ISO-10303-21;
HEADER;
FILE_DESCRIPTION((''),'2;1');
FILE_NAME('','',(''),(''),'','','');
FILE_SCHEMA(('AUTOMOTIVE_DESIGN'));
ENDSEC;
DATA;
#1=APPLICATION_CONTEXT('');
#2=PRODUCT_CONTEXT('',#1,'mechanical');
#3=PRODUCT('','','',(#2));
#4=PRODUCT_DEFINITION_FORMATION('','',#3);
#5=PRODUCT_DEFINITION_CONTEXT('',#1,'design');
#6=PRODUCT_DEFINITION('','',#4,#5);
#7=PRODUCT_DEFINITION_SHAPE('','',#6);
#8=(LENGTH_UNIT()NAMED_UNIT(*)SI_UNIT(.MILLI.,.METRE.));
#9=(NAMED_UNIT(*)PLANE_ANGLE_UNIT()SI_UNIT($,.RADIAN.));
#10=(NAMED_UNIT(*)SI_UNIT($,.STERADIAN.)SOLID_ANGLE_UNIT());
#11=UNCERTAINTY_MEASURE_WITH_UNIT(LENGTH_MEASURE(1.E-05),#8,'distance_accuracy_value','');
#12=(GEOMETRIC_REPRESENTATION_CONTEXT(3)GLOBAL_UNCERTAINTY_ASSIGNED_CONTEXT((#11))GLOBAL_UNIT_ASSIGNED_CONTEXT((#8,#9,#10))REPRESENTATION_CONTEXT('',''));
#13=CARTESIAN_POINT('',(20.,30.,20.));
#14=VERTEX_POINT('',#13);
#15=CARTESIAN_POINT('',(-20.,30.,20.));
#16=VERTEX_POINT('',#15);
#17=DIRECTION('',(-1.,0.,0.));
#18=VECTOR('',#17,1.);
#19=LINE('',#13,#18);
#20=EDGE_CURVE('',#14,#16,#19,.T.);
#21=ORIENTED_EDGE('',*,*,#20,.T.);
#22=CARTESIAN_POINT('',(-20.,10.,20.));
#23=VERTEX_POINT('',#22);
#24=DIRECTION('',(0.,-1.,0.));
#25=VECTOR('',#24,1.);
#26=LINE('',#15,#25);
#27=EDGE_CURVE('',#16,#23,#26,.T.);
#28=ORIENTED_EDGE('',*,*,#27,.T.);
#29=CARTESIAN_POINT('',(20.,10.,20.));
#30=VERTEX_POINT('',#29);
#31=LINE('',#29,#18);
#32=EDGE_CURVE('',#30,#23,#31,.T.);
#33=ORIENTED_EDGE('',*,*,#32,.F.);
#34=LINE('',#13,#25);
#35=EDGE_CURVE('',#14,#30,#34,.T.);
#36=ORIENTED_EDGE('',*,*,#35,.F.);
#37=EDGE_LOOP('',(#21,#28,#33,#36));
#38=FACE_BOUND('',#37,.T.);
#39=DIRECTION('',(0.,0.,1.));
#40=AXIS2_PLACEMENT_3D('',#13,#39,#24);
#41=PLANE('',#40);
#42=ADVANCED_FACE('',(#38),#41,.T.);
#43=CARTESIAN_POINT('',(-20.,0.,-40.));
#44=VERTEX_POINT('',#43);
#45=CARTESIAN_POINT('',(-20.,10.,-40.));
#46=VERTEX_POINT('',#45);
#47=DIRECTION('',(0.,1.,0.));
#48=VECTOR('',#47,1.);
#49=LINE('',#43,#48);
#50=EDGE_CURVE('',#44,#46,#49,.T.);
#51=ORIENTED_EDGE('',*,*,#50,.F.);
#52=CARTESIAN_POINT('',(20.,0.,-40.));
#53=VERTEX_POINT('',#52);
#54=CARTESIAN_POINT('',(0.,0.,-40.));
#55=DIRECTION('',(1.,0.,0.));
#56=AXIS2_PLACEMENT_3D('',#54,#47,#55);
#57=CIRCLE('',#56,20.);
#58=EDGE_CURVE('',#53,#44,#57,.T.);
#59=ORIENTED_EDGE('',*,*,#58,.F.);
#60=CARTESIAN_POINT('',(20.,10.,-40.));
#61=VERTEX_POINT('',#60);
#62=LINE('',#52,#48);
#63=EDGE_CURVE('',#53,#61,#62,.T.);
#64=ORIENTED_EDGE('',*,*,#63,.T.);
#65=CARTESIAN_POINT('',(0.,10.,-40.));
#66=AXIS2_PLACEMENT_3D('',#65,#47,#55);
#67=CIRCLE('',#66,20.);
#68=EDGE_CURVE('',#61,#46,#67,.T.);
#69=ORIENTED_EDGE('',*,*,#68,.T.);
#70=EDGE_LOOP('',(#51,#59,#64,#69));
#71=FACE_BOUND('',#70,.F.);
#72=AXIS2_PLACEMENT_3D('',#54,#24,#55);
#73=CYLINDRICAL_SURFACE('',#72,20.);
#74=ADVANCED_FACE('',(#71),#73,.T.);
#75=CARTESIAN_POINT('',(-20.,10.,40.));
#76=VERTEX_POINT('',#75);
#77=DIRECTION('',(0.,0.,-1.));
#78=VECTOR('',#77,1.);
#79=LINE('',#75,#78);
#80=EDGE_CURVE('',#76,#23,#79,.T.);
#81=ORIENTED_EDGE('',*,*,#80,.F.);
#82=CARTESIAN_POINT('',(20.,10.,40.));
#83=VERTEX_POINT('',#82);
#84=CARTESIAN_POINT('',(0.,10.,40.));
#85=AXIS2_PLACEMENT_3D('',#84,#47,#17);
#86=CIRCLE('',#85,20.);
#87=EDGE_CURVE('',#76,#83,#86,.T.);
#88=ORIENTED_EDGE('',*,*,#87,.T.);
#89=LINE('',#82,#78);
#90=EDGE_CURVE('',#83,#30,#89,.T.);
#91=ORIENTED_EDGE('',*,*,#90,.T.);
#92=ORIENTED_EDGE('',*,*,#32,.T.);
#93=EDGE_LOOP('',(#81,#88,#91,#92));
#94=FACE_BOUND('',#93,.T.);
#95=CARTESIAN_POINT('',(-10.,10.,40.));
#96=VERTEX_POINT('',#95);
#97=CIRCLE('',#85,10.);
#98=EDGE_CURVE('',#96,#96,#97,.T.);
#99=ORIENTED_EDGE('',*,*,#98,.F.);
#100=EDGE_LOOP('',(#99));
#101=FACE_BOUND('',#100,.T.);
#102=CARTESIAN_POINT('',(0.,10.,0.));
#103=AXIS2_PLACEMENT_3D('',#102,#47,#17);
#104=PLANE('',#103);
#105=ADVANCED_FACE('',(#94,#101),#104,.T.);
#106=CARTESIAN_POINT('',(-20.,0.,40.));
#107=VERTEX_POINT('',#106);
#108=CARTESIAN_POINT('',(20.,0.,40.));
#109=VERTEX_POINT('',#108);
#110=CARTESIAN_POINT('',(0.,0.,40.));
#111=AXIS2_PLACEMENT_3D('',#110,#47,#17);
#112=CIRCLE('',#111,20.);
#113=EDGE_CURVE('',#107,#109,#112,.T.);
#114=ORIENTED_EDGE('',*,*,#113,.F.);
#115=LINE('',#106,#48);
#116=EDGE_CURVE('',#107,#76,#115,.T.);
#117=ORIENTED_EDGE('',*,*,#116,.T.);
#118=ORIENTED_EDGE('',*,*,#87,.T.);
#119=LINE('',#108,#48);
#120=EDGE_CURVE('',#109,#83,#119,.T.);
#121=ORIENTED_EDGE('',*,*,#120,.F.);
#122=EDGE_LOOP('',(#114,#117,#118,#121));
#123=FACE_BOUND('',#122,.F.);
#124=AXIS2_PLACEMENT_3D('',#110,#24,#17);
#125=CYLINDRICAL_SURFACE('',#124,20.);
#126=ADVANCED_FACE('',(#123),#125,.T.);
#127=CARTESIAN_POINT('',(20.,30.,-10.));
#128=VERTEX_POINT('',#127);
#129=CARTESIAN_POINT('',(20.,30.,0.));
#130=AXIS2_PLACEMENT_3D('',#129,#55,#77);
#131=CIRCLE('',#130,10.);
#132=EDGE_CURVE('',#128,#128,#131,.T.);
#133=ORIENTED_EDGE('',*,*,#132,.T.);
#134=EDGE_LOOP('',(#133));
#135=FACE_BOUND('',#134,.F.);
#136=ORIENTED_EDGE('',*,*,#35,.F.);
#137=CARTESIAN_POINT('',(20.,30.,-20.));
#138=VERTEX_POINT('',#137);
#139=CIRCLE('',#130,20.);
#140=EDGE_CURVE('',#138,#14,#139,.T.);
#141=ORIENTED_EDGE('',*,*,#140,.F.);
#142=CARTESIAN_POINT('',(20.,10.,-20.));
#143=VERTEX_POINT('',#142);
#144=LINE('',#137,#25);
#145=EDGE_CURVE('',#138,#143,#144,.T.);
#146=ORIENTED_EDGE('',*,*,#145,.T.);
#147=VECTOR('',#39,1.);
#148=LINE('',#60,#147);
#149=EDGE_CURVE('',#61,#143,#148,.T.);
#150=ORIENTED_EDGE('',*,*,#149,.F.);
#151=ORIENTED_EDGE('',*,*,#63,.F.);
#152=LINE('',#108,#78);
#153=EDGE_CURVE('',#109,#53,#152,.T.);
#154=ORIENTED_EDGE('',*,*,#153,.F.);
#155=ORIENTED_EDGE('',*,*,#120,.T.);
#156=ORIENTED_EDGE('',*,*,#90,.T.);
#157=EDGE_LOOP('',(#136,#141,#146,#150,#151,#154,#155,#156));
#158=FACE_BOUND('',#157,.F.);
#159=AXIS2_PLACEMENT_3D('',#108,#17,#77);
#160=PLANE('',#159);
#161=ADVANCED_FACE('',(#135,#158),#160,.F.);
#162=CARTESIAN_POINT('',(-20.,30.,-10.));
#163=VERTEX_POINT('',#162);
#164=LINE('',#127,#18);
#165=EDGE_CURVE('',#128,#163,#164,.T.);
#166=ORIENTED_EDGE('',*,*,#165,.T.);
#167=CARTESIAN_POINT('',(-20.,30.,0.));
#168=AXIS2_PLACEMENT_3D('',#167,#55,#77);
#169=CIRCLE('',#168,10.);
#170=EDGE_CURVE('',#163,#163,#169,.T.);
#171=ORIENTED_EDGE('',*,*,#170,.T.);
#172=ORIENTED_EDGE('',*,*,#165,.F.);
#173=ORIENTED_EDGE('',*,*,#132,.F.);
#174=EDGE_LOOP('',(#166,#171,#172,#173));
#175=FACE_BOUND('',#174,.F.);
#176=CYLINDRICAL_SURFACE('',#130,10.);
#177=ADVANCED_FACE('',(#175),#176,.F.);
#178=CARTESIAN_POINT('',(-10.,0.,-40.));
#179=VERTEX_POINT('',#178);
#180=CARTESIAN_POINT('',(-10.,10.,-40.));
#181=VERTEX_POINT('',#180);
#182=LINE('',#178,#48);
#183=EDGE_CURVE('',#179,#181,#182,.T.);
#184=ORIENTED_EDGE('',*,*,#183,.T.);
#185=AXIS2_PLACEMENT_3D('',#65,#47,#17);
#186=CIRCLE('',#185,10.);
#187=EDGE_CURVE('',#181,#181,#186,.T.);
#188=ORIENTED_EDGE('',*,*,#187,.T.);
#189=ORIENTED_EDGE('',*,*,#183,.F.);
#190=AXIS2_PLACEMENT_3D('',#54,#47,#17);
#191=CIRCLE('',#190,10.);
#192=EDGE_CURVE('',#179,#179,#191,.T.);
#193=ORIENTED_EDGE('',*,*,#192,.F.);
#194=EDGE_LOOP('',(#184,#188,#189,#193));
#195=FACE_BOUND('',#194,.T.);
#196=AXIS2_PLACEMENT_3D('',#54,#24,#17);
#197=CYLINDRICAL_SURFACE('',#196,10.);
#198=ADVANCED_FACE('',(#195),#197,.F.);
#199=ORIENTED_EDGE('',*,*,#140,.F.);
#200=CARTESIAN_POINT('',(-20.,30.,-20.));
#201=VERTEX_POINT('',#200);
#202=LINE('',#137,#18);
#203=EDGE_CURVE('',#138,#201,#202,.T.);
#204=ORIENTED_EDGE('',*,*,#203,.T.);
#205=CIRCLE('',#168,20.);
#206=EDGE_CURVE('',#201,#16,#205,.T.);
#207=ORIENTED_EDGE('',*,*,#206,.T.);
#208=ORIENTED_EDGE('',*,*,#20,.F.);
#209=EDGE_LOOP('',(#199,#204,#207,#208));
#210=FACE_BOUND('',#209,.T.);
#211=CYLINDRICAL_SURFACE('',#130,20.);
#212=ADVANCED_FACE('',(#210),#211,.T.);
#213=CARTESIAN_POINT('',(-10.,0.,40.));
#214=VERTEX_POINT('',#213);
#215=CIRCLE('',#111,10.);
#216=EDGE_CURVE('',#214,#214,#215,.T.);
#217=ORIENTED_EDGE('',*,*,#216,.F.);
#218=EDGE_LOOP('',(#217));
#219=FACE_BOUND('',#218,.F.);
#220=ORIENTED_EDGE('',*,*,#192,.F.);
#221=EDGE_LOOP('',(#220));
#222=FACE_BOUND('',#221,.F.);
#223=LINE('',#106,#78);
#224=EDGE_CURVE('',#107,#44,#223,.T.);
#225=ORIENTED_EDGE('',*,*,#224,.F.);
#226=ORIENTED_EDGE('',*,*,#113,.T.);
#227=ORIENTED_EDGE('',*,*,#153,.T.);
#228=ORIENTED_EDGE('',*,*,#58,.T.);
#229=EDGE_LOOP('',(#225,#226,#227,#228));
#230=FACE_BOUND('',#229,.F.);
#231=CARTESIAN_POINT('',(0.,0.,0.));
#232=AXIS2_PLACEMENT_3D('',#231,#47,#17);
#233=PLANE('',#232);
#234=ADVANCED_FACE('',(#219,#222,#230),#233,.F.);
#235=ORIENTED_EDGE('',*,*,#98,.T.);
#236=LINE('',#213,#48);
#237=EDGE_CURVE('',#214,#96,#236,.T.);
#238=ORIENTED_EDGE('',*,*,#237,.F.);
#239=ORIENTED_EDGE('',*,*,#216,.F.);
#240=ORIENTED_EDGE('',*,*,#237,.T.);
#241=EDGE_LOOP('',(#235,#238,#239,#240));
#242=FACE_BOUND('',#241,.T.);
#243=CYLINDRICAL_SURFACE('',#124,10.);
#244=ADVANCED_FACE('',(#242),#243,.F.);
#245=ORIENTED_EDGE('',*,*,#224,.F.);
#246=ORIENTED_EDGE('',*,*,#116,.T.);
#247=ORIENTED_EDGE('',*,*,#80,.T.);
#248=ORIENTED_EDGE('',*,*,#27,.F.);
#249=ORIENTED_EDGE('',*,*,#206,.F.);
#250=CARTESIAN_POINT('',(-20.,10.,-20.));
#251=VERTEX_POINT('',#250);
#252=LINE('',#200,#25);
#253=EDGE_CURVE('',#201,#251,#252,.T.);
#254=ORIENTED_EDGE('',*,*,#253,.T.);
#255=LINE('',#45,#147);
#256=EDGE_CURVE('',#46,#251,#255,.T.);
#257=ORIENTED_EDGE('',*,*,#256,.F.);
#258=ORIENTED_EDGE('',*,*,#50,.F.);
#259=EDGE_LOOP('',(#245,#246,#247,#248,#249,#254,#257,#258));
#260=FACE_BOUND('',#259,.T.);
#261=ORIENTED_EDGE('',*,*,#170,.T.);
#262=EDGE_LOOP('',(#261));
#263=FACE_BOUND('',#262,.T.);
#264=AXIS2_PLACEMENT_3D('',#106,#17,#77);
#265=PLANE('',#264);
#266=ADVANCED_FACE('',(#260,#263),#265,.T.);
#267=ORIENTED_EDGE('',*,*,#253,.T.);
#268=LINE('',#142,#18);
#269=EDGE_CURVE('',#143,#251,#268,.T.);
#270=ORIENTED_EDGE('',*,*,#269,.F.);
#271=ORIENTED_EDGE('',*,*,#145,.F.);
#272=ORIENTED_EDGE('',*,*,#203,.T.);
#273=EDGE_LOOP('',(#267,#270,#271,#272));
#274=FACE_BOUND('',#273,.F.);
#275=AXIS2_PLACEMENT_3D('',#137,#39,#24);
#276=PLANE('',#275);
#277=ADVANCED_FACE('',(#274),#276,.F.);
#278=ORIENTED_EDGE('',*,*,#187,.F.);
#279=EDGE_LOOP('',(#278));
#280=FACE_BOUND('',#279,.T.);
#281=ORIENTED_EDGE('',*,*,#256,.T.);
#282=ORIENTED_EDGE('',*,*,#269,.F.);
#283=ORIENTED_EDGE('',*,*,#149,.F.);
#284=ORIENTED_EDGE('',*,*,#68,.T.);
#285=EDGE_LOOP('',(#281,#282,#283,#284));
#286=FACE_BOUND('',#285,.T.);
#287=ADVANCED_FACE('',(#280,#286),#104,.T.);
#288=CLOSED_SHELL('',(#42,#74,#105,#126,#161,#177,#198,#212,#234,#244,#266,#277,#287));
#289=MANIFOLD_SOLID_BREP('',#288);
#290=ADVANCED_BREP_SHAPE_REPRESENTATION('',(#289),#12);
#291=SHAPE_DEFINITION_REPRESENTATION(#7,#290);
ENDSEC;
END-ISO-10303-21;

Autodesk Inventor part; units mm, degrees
ref_plane "YZ Plane" through (0, 0, 0) normal (1, 0, 0) x (0, 1, 0)
ref_plane "XZ Plane" through (0, 0, 0) normal (0, 1, 0) x (-1, 0, 0)
ref_plane "XY Plane" through (0, 0, 0) normal (0, 0, 1) x (1, 0, 0)
sketch "Sketch1" plane through (0, 0, 0) normal (0, 1, 0) x (-1, 0, 0)
  point P0 (0, 0)
sketch "Sketch2" plane through (0, 0, 0) normal (0, 1, 0) x (-1, 0, 0)
  line L0 (-20, 20) -> (-20, -20)
  line L1 (20, -20) -> (20, 20)
  line L2 (-20, 20) -> (20, -20) construction
  line L3 (-20, -20) -> (20, 20) construction
  line L4 (0, 20) -> (0, 40) construction
  circle A0 centre (0, 40) radius 10
  arc A1 (20, 40) -> (-20, 40) centre (0, 40) ccw
  line L5 (0, -20) -> (0, -40) construction
  circle A2 centre (0, -40) radius 10
  arc A3 (-20, -40) -> (20, -40) centre (0, -40) ccw
  line L6 (20, 40) -> (20, 20)
  line L7 (-20, 40) -> (-20, 20)
  line L8 (20, -40) -> (20, -20)
  line L9 (-20, -40) -> (-20, -20)
  point P0 (0, 0)
  dimension "d3" = 20
  dimension "d4" = 40
  dimension "d6" = 20
  dimension "d7" = 40
  dimension "d8" = 40
  dimension "d9" = 40
extrude "Extrusion1" add sketch "Sketch2" along normal blind 10
sketch "Sketch3" plane through (20, 0, 40) normal (1, 0, 0) x (0, 0, -1)
  line L0 (0, 10) -> (80, 10) construction
  line L1 (40, 10) -> (40, 30) construction
  arc A0 (60, 30) -> (20, 30) centre (40, 30) ccw
  circle A1 centre (40, 30) radius 10
  line L2 (20, 30) -> (20, 10)
  line L3 (60, 30) -> (60, 10)
  line L4 (20, 10) -> (60, 10)
  point P0 (40, 0)
  dimension "d13" = 40
  dimension "d14" = 20
extrude "Extrusion2" add sketch "Sketch3" against normal blind 40
properties part number "Ejercicio 3"
